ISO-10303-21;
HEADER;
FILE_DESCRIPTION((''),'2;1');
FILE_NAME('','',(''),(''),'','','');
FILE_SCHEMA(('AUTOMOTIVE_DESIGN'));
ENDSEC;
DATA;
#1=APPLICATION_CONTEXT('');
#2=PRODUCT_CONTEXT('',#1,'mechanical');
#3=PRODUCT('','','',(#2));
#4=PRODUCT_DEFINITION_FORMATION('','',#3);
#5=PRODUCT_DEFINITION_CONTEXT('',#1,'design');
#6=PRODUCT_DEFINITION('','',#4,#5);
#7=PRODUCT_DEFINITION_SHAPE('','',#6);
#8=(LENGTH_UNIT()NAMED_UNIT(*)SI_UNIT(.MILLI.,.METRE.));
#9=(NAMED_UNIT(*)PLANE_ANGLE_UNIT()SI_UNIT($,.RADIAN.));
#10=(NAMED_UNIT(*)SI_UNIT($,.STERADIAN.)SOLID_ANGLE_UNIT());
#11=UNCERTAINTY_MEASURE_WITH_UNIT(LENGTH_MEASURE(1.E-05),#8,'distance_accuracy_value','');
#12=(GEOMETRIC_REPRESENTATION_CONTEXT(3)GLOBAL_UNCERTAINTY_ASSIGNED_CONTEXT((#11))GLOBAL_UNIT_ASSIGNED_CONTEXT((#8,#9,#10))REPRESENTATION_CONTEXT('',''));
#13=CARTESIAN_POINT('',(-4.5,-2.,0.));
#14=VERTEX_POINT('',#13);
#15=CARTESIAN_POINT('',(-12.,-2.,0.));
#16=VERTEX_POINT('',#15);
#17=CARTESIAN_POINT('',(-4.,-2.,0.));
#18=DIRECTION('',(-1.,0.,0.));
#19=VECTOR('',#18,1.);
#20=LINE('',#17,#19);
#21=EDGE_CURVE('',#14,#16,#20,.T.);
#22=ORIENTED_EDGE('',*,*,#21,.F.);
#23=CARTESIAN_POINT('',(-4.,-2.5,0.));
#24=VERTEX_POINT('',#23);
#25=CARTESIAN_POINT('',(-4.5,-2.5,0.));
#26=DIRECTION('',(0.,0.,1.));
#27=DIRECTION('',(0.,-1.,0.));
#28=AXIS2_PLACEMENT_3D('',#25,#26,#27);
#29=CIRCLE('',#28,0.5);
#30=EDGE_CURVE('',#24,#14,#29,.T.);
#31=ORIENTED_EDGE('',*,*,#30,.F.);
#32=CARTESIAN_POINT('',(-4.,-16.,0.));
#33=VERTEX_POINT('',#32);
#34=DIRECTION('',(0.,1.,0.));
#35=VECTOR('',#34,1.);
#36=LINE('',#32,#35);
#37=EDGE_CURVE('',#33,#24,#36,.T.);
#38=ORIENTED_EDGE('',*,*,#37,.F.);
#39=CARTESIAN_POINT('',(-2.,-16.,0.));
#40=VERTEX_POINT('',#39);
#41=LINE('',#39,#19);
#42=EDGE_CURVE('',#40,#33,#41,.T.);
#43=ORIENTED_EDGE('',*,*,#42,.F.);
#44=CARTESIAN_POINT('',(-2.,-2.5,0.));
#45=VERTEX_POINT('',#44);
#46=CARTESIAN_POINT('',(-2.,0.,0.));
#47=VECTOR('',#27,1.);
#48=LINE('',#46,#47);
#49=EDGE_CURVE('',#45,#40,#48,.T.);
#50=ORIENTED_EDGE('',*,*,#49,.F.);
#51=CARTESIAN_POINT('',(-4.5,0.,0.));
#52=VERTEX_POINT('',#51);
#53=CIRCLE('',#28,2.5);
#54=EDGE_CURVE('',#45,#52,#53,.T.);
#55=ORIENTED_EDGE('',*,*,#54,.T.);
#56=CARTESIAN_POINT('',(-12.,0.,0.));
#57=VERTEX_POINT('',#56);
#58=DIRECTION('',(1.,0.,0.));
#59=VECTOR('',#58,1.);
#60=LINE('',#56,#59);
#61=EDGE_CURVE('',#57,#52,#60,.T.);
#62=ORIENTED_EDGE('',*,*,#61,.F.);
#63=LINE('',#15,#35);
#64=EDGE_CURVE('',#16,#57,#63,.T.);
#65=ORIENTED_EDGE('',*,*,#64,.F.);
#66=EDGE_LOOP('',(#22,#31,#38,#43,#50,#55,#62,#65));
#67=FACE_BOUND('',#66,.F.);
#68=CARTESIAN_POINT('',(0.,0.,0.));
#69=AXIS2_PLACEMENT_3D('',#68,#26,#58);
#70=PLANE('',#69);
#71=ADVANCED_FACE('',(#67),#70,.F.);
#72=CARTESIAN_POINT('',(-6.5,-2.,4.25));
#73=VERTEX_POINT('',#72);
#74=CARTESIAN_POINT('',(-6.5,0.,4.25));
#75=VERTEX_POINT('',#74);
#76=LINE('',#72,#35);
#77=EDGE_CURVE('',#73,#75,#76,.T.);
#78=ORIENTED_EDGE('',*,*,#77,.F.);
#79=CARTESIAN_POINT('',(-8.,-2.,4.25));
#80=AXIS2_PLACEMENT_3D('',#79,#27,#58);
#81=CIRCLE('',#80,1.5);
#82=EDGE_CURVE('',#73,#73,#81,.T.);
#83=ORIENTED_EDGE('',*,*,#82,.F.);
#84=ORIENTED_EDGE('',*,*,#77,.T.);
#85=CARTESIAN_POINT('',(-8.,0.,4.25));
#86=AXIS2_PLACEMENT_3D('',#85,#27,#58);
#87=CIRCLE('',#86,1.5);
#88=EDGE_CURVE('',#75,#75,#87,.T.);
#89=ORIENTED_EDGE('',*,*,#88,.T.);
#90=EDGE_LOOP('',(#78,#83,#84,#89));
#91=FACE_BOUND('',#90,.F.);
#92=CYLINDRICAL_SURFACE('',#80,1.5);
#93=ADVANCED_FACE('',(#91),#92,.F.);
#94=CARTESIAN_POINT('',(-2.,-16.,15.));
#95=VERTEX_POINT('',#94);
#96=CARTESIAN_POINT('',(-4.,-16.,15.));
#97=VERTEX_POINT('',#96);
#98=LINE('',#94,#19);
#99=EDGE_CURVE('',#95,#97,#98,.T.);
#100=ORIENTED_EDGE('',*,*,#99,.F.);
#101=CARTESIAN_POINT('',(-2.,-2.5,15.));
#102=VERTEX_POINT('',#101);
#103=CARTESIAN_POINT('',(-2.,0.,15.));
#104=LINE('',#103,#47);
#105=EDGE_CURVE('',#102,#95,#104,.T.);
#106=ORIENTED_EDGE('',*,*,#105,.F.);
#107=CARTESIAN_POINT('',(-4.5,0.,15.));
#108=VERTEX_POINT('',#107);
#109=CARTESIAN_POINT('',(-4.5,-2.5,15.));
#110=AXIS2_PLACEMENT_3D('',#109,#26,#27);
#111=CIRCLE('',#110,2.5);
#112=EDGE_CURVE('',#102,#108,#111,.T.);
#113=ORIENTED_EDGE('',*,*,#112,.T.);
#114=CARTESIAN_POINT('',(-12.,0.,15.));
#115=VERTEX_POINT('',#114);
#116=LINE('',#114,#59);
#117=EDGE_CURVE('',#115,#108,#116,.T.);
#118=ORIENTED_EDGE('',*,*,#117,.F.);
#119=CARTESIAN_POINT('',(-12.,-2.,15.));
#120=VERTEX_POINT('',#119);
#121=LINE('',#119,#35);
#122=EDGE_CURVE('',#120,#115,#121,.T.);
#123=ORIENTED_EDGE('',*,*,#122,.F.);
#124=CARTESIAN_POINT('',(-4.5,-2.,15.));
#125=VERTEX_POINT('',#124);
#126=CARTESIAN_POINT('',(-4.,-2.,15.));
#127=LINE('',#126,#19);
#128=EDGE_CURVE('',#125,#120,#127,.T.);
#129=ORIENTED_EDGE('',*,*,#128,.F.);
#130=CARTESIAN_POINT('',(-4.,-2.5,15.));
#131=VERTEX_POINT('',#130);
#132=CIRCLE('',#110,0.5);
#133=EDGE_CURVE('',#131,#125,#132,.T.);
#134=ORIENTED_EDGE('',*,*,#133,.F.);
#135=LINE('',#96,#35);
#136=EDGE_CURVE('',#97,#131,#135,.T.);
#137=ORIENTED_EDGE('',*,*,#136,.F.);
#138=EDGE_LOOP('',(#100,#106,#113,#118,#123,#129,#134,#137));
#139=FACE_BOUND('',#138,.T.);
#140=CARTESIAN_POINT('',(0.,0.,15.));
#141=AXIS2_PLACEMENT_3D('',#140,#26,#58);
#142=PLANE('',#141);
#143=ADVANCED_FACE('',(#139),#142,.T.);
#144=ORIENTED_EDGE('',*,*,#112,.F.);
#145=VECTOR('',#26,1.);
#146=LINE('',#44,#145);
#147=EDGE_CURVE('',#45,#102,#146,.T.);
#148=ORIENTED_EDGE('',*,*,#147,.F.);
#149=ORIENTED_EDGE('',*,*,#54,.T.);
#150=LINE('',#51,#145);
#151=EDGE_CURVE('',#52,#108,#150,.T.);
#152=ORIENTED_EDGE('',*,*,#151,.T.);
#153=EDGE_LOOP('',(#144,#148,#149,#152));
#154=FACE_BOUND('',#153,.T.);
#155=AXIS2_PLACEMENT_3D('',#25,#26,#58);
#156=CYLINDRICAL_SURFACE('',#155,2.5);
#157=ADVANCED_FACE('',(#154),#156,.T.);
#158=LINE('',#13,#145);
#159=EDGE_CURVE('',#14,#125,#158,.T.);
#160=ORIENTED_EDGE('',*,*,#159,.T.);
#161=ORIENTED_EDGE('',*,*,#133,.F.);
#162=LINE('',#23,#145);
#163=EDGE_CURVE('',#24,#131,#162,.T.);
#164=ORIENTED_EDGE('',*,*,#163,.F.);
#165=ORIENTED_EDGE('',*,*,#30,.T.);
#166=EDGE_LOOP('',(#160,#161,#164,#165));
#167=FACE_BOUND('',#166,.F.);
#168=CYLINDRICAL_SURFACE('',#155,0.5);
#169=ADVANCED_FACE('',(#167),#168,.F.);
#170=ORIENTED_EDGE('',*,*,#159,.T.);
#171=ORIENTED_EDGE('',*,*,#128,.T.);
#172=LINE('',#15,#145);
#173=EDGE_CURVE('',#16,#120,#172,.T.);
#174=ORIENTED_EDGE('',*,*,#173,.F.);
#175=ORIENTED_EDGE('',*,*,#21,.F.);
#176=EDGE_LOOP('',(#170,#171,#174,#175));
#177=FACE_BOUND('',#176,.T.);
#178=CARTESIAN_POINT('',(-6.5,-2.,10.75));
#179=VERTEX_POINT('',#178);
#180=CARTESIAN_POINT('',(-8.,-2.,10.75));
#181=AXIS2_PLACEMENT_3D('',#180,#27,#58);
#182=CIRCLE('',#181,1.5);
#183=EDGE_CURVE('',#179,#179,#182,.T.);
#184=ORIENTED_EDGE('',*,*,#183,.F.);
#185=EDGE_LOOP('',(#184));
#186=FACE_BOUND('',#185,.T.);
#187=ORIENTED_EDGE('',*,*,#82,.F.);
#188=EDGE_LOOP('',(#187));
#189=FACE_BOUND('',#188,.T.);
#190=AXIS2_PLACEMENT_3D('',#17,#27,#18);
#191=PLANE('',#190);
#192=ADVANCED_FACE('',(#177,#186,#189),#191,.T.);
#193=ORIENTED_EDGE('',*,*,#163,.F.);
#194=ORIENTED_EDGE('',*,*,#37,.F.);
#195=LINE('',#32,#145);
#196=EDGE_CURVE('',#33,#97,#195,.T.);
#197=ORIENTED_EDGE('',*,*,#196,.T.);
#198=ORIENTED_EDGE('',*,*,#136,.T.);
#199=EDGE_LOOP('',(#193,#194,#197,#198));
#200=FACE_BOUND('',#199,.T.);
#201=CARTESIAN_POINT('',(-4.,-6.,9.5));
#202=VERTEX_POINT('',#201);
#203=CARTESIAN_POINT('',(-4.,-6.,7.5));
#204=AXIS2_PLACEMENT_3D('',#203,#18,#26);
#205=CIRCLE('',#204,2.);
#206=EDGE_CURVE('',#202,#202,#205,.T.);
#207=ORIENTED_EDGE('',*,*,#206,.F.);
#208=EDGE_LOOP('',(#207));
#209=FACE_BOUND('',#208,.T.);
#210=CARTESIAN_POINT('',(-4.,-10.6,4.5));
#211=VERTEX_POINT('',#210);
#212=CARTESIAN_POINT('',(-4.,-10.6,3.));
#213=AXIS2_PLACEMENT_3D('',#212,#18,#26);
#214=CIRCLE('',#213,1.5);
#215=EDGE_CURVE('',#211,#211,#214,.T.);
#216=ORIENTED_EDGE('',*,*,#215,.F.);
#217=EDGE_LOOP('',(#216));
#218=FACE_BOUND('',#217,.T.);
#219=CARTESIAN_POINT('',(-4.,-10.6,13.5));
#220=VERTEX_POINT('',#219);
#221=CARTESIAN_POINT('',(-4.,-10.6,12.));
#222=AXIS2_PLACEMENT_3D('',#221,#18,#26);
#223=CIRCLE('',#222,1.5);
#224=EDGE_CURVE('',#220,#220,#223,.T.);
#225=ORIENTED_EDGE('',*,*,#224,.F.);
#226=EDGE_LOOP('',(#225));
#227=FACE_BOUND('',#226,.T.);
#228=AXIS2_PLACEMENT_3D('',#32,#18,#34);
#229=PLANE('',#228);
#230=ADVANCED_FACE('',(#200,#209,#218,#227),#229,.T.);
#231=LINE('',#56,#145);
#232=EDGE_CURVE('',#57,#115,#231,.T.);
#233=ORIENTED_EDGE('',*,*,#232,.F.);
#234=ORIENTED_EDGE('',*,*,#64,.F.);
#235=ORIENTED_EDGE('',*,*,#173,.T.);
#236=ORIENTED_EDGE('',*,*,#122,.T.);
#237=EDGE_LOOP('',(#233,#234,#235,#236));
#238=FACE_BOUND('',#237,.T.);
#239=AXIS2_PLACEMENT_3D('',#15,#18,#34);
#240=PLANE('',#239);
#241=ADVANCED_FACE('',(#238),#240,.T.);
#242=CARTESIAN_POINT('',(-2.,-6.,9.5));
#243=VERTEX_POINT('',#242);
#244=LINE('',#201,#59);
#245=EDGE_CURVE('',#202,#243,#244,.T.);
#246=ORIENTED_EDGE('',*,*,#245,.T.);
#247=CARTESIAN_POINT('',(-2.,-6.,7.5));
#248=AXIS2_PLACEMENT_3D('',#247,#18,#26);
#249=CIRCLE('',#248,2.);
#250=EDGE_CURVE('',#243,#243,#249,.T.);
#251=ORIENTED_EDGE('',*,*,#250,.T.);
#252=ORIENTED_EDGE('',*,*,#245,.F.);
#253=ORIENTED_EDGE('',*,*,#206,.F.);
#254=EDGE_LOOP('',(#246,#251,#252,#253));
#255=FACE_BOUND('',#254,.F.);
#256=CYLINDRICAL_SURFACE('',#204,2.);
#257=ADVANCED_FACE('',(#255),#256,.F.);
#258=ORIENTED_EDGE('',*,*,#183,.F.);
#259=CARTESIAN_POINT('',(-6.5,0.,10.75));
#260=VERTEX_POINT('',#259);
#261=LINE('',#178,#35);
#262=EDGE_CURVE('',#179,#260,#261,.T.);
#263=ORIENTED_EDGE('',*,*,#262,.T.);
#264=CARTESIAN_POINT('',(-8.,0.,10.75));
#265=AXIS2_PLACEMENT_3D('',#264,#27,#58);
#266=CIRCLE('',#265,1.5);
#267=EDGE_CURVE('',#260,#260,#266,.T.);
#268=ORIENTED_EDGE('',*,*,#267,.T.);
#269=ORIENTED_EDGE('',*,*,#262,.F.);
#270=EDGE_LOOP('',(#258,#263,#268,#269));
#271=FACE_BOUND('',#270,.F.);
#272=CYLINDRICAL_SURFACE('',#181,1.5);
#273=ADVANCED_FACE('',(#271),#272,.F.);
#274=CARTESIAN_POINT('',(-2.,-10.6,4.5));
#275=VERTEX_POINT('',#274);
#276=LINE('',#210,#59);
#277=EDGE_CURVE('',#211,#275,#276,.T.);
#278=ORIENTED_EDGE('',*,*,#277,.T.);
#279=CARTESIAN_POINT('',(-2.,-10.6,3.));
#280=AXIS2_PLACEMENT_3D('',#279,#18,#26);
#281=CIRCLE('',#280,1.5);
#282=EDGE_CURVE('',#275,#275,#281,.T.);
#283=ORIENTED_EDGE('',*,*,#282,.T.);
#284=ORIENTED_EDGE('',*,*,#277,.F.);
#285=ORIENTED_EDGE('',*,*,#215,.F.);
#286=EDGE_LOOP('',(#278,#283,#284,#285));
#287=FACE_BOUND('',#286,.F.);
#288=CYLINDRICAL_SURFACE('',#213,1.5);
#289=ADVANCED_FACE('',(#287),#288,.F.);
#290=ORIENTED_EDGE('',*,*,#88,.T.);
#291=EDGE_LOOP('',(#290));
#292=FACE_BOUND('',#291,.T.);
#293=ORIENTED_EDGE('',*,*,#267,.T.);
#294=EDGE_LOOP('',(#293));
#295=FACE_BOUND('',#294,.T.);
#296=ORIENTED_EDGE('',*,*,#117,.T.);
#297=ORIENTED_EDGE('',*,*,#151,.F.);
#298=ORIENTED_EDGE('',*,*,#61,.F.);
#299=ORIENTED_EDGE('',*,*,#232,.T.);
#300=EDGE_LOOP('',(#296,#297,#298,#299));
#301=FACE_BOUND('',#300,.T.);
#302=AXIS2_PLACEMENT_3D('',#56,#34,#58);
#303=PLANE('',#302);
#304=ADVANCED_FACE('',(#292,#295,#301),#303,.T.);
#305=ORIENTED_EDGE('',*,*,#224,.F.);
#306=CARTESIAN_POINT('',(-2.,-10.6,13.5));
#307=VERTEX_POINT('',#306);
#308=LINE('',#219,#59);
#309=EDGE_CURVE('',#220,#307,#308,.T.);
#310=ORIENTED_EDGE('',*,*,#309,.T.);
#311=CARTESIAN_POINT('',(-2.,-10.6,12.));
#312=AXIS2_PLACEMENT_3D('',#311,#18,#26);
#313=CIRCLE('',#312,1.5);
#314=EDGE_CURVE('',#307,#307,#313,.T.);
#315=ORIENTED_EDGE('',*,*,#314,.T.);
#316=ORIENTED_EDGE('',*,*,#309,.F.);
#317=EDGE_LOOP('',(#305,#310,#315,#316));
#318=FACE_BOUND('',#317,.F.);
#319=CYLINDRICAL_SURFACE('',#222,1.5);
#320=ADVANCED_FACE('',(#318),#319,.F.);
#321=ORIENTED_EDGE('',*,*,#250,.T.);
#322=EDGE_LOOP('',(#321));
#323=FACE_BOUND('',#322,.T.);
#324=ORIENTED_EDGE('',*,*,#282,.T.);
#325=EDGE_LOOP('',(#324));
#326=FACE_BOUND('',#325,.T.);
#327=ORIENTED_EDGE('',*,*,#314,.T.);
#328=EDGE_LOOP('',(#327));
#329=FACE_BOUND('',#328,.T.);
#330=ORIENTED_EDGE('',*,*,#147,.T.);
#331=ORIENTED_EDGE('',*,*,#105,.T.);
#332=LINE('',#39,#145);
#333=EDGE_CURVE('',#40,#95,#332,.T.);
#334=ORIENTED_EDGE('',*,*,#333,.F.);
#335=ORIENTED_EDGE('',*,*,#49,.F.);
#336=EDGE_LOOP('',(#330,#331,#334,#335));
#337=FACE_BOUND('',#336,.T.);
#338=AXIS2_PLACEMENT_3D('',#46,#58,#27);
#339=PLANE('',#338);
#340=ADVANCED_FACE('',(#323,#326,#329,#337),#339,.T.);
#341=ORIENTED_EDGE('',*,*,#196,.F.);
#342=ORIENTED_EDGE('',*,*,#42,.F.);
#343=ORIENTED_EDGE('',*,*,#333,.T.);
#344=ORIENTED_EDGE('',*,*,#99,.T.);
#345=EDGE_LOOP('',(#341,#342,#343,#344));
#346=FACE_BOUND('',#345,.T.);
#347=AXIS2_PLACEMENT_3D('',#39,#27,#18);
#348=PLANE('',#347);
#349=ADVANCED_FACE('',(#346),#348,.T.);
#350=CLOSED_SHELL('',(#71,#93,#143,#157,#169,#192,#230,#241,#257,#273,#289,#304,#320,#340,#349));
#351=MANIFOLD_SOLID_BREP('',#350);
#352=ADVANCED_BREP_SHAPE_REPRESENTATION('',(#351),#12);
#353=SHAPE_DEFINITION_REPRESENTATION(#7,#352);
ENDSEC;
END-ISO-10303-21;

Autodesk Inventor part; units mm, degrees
ref_plane "YZ Plane" through (0, 0, 0) normal (1, 0, 0) x (0, 1, 0)
ref_plane "XZ Plane" through (0, 0, 0) normal (0, 1, 0) x (-1, 0, 0)
ref_plane "XY Plane" through (0, 0, 0) normal (0, 0, 1) x (1, 0, 0)
sketch "Sketch1" plane through (0, 0, 0) normal (0, 0, 1) x (1, 0, 0)
  line L0 (-2, 0) -> (-2, -16)
  line L1 (-2, -16) -> (-4, -16)
  line L2 (-4, -16) -> (-4, -2)
  line L3 (-4, -2) -> (-12, -2)
  line L4 (-12, -2) -> (-12, 0)
  line L5 (-12, 0) -> (-2, 0)
  line L6 (-12, 0) -> (-2, 0)
  dimension "d38" = 2
  dimension "d39" = 14
  dimension "d40" = 8
  dimension "d41" = 2
extrude "Extrusion3" add sketch "Sketch1" along normal blind 15
sketch "Sketch2" plane through (-12, -2, 0) normal (0, -1, 0) x (1, 0, 0)
  circle A0 centre (4, 4.25) radius 1.5
  line L0 (0, 15) -> (8, 15) projected
  line L1 (0, 0) -> (0, 15) projected
  line L2 (0, 0) -> (8, 0) projected
  circle A1 centre (4, 10.75) radius 1.5
  dimension "d45" = 3
  dimension "d47" = 4
  dimension "d48" = 4.25
  dimension "d49" = 3
  dimension "d50" = 4
  dimension "d51" = 4.25
extrude "Extrusion4" cut sketch "Sketch2" against normal blind 10
sketch "Sketch3" plane through (-4, -16, 0) normal (-1, 0, 0) x (0, 0, 1)
  circle A0 centre (12, 5.4) radius 1.5
  circle A1 centre (3, 5.4) radius 1.5
  line L0 (0, 0) -> (15, 0) projected
  line L1 (15, 14) -> (15, 0) projected
  line L2 (0, 14) -> (0, 0) projected
  circle A2 centre (7.5, 10) radius 2
  dimension "d55" = 3
  dimension "d56" = 5.4
  dimension "d57" = 5.4
  dimension "d58" = 3
  dimension "d59" = 3
  dimension "d62" = 4
  dimension "d65" = 10
  dimension "d68" = 3
extrude "Extrusion5" cut sketch "Sketch3" against normal blind 10 contours A0 | A1
extrude "Extrusion6" cut sketch "Sketch3" against normal blind 10 contours A2
fillet "Fillet1" radius 2.5 1 edges at (-2, 0, 7.5)
fillet "Fillet2" radius 0.5 1 edges at (-4, -2, 7.5)
equation "\"d48\" = d51"
properties part number "Soporte de Final de Carrera - Eje Y" material "Aluminum 1100-H14"
